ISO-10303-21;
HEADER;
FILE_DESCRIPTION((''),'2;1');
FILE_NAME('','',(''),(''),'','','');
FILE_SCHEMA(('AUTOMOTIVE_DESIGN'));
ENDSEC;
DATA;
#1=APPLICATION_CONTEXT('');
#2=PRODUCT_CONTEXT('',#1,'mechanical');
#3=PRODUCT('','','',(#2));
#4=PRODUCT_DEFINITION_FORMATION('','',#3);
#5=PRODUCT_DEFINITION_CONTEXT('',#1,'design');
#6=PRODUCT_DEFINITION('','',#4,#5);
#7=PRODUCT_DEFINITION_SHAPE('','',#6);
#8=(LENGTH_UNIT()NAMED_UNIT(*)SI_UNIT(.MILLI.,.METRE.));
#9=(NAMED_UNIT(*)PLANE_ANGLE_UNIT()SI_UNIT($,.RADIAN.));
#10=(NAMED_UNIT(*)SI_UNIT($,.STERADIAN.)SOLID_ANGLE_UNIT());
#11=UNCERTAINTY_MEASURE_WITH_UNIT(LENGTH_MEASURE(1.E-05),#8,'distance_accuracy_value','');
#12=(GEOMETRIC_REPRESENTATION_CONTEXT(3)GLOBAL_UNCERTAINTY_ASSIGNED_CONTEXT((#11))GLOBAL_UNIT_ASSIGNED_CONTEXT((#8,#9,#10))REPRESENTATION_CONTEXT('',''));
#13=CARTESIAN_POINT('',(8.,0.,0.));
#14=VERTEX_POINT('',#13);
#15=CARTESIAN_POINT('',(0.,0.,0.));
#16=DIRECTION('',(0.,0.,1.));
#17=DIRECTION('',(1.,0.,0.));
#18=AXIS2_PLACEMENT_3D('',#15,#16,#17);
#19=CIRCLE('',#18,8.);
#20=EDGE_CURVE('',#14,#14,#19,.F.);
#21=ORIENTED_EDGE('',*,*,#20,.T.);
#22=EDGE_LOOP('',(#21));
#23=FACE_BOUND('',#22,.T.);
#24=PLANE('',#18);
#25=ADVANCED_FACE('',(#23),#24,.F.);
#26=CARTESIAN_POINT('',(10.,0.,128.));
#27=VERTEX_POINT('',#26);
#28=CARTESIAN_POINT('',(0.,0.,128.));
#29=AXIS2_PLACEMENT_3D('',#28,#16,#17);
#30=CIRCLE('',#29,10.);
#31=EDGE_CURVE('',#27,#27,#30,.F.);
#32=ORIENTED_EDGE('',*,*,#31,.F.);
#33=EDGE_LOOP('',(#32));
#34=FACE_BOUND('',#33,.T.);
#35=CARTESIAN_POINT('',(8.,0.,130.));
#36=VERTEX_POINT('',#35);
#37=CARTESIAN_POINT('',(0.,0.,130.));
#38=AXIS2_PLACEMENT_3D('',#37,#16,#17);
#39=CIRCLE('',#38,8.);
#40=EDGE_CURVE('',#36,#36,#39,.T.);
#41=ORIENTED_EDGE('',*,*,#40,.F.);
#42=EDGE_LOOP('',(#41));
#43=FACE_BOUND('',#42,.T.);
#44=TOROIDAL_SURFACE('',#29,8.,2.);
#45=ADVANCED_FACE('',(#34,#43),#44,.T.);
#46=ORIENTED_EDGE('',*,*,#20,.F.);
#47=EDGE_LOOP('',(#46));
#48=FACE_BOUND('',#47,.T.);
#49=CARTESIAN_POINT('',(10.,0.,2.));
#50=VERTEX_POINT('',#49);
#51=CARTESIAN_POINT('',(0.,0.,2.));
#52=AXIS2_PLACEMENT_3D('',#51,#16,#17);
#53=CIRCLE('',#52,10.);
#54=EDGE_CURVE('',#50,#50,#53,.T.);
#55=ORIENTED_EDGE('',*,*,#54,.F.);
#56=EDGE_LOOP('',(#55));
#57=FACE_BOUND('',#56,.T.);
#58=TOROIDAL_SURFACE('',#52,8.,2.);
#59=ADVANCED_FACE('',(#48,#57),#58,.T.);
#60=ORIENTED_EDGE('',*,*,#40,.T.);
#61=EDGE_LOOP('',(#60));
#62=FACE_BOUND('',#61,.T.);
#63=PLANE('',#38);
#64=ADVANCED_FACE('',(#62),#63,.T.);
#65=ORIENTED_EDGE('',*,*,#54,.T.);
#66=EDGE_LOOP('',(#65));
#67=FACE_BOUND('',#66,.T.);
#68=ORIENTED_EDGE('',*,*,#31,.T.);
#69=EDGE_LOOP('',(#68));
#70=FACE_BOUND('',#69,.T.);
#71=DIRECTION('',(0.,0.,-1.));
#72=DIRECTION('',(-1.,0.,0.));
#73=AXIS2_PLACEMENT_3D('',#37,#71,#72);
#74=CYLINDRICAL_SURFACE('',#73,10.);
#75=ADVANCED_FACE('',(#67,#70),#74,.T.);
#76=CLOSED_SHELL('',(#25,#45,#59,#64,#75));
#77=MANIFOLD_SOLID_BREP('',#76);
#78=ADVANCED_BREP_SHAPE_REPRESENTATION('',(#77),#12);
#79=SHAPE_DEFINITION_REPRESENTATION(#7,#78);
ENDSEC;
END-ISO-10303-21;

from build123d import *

# Parameters (mm, degrees)
ESQUISSE1_R        = 10
BOSS_EXTRU_1_DEPTH = 130
CONG_1_R           = 2


with BuildPart() as part:
    # Esquisse1 → Boss.-Extru.1 (new body)
    with BuildSketch(Plane.XY):
        Circle(ESQUISSE1_R)
    extrude(amount=BOSS_EXTRU_1_DEPTH)

    # Congé1
    cong_1_edges = [part.edges().sort_by_distance(p)[0] for p in [
        (-10, 0, 0),
        (-10, 0, 130),
    ]]
    fillet(cong_1_edges, radius=CONG_1_R)


solid = part.part
